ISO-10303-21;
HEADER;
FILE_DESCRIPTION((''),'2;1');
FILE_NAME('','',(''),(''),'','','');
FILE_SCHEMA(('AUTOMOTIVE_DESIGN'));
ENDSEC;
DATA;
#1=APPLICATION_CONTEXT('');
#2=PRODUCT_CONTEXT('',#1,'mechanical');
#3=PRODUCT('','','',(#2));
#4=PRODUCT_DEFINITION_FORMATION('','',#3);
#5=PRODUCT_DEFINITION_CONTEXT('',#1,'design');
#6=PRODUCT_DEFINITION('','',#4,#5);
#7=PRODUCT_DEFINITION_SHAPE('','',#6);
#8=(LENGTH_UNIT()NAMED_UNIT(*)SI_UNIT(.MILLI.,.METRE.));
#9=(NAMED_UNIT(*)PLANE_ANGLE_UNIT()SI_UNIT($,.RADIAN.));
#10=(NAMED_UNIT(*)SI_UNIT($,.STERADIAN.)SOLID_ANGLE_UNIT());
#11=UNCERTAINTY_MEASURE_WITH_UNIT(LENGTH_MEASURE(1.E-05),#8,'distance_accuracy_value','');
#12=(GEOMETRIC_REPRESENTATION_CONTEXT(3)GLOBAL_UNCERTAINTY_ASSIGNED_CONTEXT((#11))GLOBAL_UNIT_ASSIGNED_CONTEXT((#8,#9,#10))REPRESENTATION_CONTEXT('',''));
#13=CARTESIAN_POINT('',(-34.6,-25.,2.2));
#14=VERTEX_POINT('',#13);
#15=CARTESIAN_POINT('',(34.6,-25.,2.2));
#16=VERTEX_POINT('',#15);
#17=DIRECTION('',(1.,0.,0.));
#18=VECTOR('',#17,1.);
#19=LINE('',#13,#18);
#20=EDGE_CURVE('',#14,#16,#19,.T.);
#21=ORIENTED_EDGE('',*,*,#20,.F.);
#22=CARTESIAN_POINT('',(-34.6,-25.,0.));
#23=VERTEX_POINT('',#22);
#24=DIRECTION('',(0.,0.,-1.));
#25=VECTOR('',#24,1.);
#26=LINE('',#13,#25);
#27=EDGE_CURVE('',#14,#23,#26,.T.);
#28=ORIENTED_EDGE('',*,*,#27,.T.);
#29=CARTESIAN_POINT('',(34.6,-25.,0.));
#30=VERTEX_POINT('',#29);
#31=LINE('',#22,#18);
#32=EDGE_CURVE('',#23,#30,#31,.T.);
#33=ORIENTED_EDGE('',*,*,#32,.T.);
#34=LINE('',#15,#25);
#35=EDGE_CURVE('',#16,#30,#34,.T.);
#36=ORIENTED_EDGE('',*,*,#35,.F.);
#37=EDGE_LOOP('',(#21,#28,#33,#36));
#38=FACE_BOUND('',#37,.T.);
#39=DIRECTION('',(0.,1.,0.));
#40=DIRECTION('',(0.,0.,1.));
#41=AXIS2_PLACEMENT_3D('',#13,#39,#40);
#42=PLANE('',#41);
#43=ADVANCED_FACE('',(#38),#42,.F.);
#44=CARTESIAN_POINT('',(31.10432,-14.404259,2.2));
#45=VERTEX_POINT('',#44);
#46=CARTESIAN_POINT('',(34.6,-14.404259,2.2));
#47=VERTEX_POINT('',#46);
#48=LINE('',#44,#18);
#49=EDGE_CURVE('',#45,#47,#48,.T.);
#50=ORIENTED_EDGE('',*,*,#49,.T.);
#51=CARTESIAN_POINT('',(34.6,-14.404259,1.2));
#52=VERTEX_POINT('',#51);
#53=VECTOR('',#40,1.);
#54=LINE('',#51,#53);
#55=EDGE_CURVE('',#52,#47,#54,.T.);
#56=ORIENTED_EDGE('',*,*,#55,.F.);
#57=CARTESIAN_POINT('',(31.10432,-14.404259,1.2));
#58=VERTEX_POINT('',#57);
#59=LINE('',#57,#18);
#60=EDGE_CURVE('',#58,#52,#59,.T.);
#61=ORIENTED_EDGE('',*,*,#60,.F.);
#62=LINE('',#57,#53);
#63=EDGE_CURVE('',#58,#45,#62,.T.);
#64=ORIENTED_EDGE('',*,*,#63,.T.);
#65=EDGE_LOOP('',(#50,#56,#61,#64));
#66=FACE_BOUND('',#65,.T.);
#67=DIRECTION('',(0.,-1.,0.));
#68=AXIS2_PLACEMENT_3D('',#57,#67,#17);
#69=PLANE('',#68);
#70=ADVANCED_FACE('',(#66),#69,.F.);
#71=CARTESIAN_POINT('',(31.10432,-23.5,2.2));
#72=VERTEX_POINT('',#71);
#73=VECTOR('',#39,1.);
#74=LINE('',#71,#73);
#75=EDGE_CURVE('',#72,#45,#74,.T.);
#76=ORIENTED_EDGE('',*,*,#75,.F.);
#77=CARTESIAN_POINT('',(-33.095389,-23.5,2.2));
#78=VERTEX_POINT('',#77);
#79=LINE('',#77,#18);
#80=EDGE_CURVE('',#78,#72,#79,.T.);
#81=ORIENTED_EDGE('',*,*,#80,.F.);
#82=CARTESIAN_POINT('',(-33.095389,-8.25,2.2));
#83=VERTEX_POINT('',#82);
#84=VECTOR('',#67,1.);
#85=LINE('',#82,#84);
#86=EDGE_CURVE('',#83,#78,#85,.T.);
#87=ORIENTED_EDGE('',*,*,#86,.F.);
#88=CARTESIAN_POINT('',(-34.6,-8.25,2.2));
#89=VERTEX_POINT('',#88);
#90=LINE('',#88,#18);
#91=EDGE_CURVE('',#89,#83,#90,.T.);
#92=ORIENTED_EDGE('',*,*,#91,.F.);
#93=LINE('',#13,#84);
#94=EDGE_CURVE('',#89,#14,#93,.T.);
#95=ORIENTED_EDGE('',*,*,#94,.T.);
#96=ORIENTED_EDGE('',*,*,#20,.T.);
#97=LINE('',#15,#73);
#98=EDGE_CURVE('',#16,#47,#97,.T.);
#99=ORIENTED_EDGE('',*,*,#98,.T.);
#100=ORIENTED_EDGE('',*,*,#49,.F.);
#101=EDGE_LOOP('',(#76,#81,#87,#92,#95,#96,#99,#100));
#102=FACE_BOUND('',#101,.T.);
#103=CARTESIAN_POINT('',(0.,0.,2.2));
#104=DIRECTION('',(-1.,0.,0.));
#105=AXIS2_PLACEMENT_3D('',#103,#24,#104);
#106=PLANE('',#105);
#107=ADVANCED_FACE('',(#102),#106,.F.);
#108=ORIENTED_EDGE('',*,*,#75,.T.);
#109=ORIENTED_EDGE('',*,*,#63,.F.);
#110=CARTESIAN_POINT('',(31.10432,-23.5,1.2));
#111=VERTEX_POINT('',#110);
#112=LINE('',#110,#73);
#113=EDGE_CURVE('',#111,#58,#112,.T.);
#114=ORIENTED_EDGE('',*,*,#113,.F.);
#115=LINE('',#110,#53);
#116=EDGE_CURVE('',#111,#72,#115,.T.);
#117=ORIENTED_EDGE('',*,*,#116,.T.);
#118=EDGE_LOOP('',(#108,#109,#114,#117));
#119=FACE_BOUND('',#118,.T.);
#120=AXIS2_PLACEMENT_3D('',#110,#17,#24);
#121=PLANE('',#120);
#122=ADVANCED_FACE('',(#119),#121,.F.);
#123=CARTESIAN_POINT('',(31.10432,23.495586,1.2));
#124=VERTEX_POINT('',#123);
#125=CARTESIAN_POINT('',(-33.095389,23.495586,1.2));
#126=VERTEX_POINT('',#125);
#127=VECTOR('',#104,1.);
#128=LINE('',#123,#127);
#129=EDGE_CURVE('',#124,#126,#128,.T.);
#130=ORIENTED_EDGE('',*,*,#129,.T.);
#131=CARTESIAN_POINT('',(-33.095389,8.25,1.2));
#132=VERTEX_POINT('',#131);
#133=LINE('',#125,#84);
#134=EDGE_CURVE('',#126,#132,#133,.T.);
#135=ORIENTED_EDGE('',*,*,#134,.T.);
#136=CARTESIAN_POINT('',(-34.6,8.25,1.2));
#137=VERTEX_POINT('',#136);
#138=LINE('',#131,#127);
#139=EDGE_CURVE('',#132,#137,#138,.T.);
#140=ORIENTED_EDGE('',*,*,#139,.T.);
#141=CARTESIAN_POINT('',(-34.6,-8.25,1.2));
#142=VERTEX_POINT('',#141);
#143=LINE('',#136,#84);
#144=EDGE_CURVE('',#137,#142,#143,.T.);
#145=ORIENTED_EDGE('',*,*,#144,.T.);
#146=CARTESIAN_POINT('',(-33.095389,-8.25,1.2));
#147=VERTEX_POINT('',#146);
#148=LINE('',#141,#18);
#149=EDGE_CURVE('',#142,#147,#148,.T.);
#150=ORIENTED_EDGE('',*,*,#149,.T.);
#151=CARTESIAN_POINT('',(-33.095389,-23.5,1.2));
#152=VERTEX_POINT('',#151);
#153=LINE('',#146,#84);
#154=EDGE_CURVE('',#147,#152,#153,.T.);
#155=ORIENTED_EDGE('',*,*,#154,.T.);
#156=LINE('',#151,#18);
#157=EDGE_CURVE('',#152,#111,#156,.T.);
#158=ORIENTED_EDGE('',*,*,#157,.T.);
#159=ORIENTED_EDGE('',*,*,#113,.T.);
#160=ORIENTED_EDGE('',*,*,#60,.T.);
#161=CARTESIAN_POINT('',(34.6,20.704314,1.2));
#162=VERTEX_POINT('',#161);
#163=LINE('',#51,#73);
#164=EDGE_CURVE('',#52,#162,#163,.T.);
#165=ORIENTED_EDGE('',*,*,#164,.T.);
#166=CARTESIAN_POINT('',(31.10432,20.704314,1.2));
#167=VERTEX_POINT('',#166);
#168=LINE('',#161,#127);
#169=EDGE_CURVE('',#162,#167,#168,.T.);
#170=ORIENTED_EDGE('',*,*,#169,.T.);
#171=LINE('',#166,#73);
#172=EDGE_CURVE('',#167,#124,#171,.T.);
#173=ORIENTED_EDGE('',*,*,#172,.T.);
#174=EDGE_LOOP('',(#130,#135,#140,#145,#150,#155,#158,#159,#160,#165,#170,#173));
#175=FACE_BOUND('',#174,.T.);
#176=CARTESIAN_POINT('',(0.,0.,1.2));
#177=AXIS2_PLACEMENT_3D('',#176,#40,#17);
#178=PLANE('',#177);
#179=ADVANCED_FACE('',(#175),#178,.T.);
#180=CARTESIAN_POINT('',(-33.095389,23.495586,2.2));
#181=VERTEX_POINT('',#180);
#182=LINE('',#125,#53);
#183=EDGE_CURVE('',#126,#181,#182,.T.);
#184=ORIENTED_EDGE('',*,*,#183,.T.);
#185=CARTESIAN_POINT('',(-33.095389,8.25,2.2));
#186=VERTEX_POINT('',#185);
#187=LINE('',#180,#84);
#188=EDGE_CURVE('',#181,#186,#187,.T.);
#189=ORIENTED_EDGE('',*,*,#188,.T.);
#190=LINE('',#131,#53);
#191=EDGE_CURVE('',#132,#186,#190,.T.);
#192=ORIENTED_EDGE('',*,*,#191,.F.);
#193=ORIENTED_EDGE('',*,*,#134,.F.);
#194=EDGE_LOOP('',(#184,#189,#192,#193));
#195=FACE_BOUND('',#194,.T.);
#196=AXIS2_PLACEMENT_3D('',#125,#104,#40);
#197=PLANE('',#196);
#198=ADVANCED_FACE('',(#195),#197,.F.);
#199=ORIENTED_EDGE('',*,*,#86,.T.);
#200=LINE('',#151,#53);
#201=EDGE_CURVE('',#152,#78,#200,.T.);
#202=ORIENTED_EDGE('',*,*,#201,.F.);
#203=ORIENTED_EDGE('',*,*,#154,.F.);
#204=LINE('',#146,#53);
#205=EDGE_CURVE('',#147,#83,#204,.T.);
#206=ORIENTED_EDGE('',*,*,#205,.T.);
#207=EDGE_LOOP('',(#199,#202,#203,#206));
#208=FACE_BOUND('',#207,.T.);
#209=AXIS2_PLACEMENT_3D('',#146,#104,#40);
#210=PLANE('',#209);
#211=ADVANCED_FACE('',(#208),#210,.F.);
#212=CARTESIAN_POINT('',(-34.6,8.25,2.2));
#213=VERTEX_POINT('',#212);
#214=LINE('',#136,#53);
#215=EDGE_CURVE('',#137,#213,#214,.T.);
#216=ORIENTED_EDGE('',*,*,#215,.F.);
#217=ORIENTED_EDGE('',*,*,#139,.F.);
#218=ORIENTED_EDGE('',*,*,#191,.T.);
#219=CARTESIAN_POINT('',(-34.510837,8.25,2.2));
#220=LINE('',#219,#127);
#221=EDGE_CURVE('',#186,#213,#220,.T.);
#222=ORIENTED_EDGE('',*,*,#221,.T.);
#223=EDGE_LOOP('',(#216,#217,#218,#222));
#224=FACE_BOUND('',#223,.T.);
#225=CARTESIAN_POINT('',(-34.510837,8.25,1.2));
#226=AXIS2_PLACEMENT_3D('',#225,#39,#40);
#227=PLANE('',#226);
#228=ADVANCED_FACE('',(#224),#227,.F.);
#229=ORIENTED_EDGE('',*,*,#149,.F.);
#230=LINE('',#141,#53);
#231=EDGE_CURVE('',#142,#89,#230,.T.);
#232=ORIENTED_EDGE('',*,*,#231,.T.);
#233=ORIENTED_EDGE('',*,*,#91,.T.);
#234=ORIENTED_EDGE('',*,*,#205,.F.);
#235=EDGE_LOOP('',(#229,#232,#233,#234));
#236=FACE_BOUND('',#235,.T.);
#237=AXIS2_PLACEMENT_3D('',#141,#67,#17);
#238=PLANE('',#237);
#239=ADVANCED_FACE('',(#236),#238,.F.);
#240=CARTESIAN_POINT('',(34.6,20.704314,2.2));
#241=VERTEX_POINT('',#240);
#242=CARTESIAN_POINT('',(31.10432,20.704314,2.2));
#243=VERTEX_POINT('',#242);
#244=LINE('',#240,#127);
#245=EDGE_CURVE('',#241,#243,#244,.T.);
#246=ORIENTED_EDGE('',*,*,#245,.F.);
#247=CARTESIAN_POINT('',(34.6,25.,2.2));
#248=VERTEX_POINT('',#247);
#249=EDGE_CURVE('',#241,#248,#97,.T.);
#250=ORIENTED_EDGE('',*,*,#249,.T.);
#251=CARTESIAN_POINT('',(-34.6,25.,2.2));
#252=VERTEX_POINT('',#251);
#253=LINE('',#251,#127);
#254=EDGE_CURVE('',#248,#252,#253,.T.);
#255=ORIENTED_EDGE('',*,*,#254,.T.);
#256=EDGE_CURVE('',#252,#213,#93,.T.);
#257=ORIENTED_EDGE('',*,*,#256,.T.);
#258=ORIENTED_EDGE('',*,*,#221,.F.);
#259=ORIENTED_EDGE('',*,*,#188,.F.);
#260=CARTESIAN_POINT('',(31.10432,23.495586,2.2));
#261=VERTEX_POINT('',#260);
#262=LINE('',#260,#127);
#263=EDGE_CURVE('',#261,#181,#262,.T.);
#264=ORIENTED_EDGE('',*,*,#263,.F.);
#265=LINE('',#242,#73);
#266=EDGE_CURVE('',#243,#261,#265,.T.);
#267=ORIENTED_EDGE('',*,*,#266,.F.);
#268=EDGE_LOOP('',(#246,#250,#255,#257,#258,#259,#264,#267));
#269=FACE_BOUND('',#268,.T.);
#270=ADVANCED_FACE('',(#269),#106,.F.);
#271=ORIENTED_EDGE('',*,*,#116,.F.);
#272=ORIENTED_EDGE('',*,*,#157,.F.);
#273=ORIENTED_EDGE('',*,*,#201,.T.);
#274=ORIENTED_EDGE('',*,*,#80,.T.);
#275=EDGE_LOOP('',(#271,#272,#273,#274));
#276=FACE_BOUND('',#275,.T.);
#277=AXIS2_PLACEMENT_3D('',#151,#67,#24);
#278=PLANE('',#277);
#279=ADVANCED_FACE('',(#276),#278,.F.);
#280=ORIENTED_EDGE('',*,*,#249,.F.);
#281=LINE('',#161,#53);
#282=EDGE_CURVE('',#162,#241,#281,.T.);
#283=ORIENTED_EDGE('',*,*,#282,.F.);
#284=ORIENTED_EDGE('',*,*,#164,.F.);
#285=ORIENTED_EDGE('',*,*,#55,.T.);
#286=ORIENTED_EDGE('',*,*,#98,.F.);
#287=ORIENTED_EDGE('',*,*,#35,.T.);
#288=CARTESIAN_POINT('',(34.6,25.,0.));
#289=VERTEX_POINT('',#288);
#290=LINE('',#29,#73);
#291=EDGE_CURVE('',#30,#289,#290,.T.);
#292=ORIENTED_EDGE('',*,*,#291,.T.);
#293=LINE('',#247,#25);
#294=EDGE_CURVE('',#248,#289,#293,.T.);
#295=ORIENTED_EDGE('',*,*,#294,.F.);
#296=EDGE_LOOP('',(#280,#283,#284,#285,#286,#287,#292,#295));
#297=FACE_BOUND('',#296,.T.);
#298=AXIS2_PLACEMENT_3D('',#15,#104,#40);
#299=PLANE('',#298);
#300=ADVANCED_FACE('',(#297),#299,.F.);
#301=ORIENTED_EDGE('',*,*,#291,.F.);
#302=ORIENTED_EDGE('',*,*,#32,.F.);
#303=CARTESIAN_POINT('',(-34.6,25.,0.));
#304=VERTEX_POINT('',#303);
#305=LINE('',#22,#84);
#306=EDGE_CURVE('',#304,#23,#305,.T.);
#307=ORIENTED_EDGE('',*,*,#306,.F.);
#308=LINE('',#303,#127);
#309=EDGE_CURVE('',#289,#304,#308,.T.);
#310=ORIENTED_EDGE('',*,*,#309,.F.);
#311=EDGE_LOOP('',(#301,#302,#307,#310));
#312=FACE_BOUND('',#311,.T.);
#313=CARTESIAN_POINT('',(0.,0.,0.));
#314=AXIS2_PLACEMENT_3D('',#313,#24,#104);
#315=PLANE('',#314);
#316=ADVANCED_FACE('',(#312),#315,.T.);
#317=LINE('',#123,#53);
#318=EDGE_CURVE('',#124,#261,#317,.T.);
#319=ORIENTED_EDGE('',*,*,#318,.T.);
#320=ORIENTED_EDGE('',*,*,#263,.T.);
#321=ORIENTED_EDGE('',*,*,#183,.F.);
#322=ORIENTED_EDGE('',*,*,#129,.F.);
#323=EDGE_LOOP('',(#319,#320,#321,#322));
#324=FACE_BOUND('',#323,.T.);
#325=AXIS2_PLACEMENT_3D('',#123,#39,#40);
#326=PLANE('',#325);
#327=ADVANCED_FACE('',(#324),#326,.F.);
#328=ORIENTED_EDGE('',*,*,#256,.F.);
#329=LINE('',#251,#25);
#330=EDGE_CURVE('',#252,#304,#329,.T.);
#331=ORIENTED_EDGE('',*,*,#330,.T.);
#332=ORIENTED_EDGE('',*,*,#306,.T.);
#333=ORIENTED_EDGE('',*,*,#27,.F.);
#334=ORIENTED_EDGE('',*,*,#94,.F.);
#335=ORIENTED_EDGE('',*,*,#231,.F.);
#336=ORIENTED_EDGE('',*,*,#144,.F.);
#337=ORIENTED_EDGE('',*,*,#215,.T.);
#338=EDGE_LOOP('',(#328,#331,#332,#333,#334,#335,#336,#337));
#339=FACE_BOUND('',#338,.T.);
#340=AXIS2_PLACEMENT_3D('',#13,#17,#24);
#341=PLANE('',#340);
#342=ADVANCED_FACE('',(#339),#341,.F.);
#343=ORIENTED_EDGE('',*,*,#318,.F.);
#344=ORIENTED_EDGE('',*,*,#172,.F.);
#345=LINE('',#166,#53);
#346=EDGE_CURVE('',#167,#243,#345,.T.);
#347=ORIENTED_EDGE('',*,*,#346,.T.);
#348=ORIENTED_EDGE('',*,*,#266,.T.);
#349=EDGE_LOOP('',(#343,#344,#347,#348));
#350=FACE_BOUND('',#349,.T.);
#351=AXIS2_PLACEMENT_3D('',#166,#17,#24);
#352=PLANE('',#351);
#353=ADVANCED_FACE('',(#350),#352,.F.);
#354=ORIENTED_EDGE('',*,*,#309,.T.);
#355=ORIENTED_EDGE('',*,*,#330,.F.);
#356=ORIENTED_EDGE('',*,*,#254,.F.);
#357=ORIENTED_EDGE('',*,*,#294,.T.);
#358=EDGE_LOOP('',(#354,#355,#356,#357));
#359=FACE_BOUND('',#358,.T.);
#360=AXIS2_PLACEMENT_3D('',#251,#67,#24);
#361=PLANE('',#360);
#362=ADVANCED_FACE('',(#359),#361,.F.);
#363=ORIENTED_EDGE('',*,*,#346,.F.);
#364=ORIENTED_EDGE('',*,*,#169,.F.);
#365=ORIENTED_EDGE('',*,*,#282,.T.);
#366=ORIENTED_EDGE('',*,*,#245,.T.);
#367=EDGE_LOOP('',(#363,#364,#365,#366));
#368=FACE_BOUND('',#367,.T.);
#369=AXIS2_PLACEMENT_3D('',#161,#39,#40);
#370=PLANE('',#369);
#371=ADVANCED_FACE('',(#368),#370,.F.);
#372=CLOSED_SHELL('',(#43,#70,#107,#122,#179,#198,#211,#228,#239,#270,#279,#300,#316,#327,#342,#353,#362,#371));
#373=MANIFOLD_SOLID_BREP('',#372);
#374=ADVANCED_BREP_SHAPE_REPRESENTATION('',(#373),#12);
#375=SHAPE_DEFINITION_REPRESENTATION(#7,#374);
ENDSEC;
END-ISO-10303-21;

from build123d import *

# Parameters (mm, degrees)
ESQUISSE1_W             = 69.2
ESQUISSE1_H             = 50
BOSS_EXTRU_1_DEPTH      = 2.2
ENL_V_MAT_EXTRU_1_DEPTH = 1


with BuildPart() as part:
    # Esquisse1 → Boss.-Extru.1 (new body)
    with BuildSketch(Plane.XY):
        Rectangle(ESQUISSE1_W, ESQUISSE1_H)
    extrude(amount=BOSS_EXTRU_1_DEPTH)

    # Esquisse2 → Enlèv. mat.-Extru.1 (cut)
    with BuildSketch(Plane.XY.offset(2.2)):
        Polygon((34.6, 20.704314338), (31.104320123, 20.704314338), (31.104320123, 23.495586326), (-33.095389285, 23.495586326), (-33.095389285, 8.25), (-34.510836618, 8.25), (-34.6, 8.25), (-34.6, -8.25), (-33.095389285, -8.25), (-33.095389285, -23.5), (31.104320123, -23.5), (31.104320123, -14.404258976), (34.6, -14.404258976), align=None)
    extrude(amount=-ENL_V_MAT_EXTRU_1_DEPTH, mode=Mode.SUBTRACT)


solid = part.part
